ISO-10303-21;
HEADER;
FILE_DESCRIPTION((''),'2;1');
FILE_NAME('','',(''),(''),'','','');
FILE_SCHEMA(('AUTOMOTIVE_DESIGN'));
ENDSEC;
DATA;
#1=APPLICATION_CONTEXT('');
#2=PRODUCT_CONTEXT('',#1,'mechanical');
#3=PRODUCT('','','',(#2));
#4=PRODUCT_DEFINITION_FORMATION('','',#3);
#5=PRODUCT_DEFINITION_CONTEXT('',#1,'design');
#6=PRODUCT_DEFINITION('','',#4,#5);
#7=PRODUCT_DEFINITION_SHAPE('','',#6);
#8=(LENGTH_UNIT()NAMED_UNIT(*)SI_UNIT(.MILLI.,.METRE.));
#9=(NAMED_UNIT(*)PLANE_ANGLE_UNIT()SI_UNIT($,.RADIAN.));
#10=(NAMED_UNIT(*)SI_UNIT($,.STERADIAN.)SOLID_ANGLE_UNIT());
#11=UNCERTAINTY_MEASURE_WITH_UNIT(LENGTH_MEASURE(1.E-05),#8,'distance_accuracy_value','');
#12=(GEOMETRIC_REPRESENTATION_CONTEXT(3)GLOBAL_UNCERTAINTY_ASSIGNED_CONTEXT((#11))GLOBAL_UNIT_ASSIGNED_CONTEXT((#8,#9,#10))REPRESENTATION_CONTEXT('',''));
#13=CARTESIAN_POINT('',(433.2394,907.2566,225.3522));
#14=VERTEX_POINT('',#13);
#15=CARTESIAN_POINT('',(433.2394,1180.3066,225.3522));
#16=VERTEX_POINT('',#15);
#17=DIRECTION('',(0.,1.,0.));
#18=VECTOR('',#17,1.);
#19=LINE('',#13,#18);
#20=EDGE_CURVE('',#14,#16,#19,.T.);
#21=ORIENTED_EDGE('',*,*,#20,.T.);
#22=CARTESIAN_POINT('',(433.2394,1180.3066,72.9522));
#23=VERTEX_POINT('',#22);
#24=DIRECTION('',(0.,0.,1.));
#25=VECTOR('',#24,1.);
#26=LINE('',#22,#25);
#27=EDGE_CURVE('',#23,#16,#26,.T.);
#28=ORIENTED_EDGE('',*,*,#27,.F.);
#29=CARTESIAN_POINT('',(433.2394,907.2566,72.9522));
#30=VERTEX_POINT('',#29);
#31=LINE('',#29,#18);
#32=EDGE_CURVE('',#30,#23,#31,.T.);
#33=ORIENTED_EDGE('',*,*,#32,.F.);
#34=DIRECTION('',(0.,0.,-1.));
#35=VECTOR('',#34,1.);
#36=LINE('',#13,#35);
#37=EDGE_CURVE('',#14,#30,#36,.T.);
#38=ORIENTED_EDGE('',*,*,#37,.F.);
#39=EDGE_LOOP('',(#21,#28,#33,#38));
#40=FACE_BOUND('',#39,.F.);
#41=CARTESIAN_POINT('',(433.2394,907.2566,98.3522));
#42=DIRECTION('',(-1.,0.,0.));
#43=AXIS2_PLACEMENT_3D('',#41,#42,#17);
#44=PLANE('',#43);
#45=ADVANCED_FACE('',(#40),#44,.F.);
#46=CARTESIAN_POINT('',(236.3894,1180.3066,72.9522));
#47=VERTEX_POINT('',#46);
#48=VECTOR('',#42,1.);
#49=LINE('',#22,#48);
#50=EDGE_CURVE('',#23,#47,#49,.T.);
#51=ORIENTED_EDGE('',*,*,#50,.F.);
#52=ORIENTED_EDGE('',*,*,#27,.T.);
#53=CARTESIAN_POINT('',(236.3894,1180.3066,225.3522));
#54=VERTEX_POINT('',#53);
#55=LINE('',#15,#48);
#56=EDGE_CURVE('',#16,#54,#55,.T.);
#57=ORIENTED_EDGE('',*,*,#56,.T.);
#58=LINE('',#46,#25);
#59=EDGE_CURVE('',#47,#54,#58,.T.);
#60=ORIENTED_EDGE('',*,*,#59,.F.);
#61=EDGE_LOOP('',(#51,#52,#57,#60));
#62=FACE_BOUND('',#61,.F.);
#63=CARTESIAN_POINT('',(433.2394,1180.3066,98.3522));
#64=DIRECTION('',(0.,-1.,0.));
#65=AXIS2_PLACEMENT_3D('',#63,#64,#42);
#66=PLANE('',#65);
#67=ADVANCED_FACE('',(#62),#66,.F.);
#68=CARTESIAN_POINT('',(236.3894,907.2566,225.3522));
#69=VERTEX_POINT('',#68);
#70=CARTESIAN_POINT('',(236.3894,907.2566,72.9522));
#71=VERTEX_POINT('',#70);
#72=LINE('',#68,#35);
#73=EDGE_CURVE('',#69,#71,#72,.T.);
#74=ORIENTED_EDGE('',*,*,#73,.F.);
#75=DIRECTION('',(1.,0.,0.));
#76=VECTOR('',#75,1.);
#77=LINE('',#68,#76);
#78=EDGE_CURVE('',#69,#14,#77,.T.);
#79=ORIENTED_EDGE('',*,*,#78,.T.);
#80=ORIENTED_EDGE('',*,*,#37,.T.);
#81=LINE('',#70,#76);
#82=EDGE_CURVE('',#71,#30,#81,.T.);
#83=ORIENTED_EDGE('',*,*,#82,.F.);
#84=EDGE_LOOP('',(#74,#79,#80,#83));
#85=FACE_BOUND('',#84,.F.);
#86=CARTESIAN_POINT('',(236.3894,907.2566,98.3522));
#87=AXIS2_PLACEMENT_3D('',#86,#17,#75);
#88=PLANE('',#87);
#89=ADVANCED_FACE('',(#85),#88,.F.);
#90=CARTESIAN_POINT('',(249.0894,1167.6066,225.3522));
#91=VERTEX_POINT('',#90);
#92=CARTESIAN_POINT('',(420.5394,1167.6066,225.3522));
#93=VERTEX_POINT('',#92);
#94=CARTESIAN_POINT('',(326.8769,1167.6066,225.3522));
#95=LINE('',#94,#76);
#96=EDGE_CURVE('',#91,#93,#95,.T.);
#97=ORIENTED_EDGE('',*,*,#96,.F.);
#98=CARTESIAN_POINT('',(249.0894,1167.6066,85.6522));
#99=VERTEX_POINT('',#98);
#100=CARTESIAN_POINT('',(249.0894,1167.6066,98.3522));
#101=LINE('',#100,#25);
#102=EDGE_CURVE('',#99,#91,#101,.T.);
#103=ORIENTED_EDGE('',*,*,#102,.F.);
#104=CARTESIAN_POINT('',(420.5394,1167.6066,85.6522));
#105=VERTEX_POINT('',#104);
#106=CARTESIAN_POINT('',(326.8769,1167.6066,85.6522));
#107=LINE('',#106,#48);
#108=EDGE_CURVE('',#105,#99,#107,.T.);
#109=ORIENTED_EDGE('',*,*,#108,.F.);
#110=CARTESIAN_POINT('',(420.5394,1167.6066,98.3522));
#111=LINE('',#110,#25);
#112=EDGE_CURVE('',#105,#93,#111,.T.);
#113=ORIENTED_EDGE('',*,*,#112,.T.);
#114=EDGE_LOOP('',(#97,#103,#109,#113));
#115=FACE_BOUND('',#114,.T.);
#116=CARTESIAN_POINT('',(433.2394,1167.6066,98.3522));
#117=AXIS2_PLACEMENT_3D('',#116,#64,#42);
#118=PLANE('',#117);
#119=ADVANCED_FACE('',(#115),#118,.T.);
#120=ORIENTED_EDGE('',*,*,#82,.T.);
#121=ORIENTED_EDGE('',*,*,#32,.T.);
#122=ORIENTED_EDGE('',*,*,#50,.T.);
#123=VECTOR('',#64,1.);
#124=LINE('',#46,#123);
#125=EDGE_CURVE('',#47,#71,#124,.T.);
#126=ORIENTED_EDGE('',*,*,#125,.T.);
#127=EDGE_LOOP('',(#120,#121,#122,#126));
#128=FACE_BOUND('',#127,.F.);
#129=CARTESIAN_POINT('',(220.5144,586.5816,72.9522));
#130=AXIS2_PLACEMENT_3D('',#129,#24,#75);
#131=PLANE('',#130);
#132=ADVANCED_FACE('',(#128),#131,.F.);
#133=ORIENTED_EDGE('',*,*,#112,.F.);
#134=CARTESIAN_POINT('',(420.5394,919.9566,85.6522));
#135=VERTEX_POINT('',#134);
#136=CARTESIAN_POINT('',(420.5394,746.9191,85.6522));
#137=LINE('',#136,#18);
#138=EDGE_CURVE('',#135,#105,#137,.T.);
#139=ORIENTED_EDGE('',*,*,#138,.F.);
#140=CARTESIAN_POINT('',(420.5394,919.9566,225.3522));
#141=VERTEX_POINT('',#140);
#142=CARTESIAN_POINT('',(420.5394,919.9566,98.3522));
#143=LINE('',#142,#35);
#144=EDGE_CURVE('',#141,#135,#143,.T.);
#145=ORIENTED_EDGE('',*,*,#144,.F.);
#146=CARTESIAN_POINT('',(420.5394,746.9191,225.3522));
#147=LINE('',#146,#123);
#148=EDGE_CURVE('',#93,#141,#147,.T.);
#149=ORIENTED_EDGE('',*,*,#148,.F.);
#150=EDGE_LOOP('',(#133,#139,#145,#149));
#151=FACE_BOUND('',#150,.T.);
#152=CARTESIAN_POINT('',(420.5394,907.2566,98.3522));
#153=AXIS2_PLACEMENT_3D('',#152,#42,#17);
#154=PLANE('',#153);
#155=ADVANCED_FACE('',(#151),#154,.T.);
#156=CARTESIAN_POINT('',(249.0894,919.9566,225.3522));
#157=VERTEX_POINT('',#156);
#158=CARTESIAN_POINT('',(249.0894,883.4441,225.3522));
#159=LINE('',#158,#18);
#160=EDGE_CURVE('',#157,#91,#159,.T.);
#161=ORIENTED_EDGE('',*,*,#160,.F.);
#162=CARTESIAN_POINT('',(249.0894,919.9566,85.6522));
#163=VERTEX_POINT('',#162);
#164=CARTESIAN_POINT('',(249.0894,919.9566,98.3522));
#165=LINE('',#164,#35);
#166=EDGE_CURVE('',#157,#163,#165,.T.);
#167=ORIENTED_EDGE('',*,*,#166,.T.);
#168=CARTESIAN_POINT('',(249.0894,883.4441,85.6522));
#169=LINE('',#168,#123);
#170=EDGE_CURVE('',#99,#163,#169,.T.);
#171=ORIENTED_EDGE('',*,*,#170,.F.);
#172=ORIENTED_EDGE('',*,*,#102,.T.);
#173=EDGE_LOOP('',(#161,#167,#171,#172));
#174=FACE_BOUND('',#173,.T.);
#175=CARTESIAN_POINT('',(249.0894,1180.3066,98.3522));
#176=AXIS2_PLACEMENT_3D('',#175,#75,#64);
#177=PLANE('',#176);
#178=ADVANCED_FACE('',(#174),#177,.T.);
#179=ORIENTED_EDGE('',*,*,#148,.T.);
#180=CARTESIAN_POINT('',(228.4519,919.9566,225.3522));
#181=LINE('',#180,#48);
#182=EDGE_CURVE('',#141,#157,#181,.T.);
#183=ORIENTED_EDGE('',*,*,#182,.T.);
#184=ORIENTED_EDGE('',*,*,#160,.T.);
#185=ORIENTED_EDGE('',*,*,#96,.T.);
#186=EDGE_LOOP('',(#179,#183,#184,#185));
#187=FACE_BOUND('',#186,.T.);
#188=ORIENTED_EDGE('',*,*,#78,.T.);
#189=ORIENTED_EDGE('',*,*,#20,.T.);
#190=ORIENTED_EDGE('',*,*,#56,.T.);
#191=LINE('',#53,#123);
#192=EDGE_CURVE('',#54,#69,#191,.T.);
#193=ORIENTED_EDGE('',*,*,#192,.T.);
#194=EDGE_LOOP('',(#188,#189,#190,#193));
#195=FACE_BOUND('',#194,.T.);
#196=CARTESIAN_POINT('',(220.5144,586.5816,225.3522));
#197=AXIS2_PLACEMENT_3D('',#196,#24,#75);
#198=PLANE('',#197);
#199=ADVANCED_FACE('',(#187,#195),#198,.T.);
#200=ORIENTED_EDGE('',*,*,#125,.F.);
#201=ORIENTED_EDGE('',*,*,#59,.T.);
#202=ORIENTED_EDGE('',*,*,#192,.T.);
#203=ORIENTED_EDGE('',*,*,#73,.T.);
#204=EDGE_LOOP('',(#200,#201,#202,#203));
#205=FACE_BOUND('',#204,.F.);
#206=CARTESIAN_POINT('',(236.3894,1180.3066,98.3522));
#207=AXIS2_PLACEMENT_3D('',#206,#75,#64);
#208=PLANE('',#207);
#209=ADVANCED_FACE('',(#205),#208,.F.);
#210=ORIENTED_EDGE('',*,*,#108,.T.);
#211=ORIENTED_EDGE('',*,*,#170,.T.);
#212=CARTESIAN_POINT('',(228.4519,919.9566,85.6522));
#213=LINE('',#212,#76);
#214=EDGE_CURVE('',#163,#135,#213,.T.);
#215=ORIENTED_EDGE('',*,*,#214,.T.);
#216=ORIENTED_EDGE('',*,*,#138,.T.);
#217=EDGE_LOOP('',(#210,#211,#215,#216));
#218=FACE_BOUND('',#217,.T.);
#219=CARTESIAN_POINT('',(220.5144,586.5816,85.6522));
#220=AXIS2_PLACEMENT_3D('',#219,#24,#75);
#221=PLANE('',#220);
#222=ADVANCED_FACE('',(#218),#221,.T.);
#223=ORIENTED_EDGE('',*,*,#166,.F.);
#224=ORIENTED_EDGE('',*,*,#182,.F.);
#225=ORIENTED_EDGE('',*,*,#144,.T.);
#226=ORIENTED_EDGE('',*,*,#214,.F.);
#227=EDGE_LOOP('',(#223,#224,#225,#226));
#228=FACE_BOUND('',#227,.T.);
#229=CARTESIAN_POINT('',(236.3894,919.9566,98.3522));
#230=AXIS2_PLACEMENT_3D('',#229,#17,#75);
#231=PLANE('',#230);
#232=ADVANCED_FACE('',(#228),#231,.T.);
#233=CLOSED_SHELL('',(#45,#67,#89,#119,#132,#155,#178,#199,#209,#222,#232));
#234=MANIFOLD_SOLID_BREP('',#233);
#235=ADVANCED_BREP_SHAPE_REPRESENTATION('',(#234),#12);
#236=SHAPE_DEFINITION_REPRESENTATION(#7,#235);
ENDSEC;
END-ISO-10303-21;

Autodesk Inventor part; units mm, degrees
ref_plane "YZ Plane" through (0, 0, 0) normal (1, 0, 0) x (0, 1, 0)
ref_plane "XZ Plane" through (0, 0, 0) normal (0, 1, 0) x (-1, 0, 0)
ref_plane "Work Plane1" through (220.5144, 586.5816, 98.3522) normal (0, 0, 1) x (1, 0, 0)
sketch "Sketch1" plane through (220.5144, 586.5816, 98.3522) normal (0, 0, 1) x (1, 0, 0)
  line L0 (12.7, 622.3) -> (215.9, 622.3)
  line L1 (12.7, 317.5) -> (215.9, 317.5)
  line L2 (241.3, 317.5) -> (241.3, 596.9)
  line L3 (-12.7, 596.9) -> (-12.7, 317.5)
  line L4 (215.9, 596.9) -> (12.7, 596.9)
  line L5 (215.9, 596.9) -> (215.9, 317.5)
  line L6 (12.7, 317.5) -> (12.7, 596.9)
  line L7 (212.725, 593.725) -> (15.875, 593.725)
  line L8 (15.875, 593.725) -> (15.875, 320.675)
  line L9 (15.875, 320.675) -> (212.725, 320.675)
  line L10 (212.725, 320.675) -> (212.725, 593.725)
  point P0 (-220.5144, -586.5816)
extrude "Extrusion1" add sketch "Sketch1" along normal blind 127 and the other way blind 25.4 contours L10 L9 L8 L7
shell "Shell1" thickness 12.7 removed faces 1 at (302.006, 1089.2899, 225.3522)
sketch "Sketch2" plane through (433.2394, 907.2566, 225.3522) normal (1, 0, 0) x (0, 0, -1)
  line L0 (3.6537, 3.0906) -> (3.6537, 49.4858) construction
  line L1 (3.6537, 49.4858) -> (36.2785, 49.4858) construction
  line L2 (36.2785, 49.4858) -> (36.2785, 3.0906) construction
  line L3 (36.2785, 3.0906) -> (3.6537, 3.0906) construction
  line L4 (64.1536, 108.921) -> (64.1536, 155.3161) construction
  line L5 (64.1536, 155.3161) -> (96.7784, 155.3161) construction
  line L6 (96.7784, 155.3161) -> (96.7784, 108.921) construction
  line L7 (96.7784, 108.921) -> (64.1536, 108.921) construction
  point P0 (225.3522, -907.2566)
sketch "Sketch3" plane through (236.3894, 907.2566, 225.3522) normal (-1, 0, 0) x (0, 0, 1)
  line L0 (-64.8568, 166.6409) -> (-64.8568, 120.2457) construction
  line L1 (-64.8568, 120.2457) -> (-97.4816, 120.2457) construction
  line L2 (-97.4816, 120.2457) -> (-97.4816, 166.6409) construction
  line L3 (-97.4816, 166.6409) -> (-64.8568, 166.6409) construction
  line L4 (-4.4124, 269.0962) -> (-4.4124, 222.701) construction
  line L5 (-4.4124, 222.701) -> (-37.0372, 222.701) construction
  line L6 (-37.0372, 222.701) -> (-37.0372, 269.0962) construction
  line L7 (-37.0372, 269.0962) -> (-4.4124, 269.0962) construction
  point P0 (-225.3522, -907.2566)
properties part number "Bucket blue"
